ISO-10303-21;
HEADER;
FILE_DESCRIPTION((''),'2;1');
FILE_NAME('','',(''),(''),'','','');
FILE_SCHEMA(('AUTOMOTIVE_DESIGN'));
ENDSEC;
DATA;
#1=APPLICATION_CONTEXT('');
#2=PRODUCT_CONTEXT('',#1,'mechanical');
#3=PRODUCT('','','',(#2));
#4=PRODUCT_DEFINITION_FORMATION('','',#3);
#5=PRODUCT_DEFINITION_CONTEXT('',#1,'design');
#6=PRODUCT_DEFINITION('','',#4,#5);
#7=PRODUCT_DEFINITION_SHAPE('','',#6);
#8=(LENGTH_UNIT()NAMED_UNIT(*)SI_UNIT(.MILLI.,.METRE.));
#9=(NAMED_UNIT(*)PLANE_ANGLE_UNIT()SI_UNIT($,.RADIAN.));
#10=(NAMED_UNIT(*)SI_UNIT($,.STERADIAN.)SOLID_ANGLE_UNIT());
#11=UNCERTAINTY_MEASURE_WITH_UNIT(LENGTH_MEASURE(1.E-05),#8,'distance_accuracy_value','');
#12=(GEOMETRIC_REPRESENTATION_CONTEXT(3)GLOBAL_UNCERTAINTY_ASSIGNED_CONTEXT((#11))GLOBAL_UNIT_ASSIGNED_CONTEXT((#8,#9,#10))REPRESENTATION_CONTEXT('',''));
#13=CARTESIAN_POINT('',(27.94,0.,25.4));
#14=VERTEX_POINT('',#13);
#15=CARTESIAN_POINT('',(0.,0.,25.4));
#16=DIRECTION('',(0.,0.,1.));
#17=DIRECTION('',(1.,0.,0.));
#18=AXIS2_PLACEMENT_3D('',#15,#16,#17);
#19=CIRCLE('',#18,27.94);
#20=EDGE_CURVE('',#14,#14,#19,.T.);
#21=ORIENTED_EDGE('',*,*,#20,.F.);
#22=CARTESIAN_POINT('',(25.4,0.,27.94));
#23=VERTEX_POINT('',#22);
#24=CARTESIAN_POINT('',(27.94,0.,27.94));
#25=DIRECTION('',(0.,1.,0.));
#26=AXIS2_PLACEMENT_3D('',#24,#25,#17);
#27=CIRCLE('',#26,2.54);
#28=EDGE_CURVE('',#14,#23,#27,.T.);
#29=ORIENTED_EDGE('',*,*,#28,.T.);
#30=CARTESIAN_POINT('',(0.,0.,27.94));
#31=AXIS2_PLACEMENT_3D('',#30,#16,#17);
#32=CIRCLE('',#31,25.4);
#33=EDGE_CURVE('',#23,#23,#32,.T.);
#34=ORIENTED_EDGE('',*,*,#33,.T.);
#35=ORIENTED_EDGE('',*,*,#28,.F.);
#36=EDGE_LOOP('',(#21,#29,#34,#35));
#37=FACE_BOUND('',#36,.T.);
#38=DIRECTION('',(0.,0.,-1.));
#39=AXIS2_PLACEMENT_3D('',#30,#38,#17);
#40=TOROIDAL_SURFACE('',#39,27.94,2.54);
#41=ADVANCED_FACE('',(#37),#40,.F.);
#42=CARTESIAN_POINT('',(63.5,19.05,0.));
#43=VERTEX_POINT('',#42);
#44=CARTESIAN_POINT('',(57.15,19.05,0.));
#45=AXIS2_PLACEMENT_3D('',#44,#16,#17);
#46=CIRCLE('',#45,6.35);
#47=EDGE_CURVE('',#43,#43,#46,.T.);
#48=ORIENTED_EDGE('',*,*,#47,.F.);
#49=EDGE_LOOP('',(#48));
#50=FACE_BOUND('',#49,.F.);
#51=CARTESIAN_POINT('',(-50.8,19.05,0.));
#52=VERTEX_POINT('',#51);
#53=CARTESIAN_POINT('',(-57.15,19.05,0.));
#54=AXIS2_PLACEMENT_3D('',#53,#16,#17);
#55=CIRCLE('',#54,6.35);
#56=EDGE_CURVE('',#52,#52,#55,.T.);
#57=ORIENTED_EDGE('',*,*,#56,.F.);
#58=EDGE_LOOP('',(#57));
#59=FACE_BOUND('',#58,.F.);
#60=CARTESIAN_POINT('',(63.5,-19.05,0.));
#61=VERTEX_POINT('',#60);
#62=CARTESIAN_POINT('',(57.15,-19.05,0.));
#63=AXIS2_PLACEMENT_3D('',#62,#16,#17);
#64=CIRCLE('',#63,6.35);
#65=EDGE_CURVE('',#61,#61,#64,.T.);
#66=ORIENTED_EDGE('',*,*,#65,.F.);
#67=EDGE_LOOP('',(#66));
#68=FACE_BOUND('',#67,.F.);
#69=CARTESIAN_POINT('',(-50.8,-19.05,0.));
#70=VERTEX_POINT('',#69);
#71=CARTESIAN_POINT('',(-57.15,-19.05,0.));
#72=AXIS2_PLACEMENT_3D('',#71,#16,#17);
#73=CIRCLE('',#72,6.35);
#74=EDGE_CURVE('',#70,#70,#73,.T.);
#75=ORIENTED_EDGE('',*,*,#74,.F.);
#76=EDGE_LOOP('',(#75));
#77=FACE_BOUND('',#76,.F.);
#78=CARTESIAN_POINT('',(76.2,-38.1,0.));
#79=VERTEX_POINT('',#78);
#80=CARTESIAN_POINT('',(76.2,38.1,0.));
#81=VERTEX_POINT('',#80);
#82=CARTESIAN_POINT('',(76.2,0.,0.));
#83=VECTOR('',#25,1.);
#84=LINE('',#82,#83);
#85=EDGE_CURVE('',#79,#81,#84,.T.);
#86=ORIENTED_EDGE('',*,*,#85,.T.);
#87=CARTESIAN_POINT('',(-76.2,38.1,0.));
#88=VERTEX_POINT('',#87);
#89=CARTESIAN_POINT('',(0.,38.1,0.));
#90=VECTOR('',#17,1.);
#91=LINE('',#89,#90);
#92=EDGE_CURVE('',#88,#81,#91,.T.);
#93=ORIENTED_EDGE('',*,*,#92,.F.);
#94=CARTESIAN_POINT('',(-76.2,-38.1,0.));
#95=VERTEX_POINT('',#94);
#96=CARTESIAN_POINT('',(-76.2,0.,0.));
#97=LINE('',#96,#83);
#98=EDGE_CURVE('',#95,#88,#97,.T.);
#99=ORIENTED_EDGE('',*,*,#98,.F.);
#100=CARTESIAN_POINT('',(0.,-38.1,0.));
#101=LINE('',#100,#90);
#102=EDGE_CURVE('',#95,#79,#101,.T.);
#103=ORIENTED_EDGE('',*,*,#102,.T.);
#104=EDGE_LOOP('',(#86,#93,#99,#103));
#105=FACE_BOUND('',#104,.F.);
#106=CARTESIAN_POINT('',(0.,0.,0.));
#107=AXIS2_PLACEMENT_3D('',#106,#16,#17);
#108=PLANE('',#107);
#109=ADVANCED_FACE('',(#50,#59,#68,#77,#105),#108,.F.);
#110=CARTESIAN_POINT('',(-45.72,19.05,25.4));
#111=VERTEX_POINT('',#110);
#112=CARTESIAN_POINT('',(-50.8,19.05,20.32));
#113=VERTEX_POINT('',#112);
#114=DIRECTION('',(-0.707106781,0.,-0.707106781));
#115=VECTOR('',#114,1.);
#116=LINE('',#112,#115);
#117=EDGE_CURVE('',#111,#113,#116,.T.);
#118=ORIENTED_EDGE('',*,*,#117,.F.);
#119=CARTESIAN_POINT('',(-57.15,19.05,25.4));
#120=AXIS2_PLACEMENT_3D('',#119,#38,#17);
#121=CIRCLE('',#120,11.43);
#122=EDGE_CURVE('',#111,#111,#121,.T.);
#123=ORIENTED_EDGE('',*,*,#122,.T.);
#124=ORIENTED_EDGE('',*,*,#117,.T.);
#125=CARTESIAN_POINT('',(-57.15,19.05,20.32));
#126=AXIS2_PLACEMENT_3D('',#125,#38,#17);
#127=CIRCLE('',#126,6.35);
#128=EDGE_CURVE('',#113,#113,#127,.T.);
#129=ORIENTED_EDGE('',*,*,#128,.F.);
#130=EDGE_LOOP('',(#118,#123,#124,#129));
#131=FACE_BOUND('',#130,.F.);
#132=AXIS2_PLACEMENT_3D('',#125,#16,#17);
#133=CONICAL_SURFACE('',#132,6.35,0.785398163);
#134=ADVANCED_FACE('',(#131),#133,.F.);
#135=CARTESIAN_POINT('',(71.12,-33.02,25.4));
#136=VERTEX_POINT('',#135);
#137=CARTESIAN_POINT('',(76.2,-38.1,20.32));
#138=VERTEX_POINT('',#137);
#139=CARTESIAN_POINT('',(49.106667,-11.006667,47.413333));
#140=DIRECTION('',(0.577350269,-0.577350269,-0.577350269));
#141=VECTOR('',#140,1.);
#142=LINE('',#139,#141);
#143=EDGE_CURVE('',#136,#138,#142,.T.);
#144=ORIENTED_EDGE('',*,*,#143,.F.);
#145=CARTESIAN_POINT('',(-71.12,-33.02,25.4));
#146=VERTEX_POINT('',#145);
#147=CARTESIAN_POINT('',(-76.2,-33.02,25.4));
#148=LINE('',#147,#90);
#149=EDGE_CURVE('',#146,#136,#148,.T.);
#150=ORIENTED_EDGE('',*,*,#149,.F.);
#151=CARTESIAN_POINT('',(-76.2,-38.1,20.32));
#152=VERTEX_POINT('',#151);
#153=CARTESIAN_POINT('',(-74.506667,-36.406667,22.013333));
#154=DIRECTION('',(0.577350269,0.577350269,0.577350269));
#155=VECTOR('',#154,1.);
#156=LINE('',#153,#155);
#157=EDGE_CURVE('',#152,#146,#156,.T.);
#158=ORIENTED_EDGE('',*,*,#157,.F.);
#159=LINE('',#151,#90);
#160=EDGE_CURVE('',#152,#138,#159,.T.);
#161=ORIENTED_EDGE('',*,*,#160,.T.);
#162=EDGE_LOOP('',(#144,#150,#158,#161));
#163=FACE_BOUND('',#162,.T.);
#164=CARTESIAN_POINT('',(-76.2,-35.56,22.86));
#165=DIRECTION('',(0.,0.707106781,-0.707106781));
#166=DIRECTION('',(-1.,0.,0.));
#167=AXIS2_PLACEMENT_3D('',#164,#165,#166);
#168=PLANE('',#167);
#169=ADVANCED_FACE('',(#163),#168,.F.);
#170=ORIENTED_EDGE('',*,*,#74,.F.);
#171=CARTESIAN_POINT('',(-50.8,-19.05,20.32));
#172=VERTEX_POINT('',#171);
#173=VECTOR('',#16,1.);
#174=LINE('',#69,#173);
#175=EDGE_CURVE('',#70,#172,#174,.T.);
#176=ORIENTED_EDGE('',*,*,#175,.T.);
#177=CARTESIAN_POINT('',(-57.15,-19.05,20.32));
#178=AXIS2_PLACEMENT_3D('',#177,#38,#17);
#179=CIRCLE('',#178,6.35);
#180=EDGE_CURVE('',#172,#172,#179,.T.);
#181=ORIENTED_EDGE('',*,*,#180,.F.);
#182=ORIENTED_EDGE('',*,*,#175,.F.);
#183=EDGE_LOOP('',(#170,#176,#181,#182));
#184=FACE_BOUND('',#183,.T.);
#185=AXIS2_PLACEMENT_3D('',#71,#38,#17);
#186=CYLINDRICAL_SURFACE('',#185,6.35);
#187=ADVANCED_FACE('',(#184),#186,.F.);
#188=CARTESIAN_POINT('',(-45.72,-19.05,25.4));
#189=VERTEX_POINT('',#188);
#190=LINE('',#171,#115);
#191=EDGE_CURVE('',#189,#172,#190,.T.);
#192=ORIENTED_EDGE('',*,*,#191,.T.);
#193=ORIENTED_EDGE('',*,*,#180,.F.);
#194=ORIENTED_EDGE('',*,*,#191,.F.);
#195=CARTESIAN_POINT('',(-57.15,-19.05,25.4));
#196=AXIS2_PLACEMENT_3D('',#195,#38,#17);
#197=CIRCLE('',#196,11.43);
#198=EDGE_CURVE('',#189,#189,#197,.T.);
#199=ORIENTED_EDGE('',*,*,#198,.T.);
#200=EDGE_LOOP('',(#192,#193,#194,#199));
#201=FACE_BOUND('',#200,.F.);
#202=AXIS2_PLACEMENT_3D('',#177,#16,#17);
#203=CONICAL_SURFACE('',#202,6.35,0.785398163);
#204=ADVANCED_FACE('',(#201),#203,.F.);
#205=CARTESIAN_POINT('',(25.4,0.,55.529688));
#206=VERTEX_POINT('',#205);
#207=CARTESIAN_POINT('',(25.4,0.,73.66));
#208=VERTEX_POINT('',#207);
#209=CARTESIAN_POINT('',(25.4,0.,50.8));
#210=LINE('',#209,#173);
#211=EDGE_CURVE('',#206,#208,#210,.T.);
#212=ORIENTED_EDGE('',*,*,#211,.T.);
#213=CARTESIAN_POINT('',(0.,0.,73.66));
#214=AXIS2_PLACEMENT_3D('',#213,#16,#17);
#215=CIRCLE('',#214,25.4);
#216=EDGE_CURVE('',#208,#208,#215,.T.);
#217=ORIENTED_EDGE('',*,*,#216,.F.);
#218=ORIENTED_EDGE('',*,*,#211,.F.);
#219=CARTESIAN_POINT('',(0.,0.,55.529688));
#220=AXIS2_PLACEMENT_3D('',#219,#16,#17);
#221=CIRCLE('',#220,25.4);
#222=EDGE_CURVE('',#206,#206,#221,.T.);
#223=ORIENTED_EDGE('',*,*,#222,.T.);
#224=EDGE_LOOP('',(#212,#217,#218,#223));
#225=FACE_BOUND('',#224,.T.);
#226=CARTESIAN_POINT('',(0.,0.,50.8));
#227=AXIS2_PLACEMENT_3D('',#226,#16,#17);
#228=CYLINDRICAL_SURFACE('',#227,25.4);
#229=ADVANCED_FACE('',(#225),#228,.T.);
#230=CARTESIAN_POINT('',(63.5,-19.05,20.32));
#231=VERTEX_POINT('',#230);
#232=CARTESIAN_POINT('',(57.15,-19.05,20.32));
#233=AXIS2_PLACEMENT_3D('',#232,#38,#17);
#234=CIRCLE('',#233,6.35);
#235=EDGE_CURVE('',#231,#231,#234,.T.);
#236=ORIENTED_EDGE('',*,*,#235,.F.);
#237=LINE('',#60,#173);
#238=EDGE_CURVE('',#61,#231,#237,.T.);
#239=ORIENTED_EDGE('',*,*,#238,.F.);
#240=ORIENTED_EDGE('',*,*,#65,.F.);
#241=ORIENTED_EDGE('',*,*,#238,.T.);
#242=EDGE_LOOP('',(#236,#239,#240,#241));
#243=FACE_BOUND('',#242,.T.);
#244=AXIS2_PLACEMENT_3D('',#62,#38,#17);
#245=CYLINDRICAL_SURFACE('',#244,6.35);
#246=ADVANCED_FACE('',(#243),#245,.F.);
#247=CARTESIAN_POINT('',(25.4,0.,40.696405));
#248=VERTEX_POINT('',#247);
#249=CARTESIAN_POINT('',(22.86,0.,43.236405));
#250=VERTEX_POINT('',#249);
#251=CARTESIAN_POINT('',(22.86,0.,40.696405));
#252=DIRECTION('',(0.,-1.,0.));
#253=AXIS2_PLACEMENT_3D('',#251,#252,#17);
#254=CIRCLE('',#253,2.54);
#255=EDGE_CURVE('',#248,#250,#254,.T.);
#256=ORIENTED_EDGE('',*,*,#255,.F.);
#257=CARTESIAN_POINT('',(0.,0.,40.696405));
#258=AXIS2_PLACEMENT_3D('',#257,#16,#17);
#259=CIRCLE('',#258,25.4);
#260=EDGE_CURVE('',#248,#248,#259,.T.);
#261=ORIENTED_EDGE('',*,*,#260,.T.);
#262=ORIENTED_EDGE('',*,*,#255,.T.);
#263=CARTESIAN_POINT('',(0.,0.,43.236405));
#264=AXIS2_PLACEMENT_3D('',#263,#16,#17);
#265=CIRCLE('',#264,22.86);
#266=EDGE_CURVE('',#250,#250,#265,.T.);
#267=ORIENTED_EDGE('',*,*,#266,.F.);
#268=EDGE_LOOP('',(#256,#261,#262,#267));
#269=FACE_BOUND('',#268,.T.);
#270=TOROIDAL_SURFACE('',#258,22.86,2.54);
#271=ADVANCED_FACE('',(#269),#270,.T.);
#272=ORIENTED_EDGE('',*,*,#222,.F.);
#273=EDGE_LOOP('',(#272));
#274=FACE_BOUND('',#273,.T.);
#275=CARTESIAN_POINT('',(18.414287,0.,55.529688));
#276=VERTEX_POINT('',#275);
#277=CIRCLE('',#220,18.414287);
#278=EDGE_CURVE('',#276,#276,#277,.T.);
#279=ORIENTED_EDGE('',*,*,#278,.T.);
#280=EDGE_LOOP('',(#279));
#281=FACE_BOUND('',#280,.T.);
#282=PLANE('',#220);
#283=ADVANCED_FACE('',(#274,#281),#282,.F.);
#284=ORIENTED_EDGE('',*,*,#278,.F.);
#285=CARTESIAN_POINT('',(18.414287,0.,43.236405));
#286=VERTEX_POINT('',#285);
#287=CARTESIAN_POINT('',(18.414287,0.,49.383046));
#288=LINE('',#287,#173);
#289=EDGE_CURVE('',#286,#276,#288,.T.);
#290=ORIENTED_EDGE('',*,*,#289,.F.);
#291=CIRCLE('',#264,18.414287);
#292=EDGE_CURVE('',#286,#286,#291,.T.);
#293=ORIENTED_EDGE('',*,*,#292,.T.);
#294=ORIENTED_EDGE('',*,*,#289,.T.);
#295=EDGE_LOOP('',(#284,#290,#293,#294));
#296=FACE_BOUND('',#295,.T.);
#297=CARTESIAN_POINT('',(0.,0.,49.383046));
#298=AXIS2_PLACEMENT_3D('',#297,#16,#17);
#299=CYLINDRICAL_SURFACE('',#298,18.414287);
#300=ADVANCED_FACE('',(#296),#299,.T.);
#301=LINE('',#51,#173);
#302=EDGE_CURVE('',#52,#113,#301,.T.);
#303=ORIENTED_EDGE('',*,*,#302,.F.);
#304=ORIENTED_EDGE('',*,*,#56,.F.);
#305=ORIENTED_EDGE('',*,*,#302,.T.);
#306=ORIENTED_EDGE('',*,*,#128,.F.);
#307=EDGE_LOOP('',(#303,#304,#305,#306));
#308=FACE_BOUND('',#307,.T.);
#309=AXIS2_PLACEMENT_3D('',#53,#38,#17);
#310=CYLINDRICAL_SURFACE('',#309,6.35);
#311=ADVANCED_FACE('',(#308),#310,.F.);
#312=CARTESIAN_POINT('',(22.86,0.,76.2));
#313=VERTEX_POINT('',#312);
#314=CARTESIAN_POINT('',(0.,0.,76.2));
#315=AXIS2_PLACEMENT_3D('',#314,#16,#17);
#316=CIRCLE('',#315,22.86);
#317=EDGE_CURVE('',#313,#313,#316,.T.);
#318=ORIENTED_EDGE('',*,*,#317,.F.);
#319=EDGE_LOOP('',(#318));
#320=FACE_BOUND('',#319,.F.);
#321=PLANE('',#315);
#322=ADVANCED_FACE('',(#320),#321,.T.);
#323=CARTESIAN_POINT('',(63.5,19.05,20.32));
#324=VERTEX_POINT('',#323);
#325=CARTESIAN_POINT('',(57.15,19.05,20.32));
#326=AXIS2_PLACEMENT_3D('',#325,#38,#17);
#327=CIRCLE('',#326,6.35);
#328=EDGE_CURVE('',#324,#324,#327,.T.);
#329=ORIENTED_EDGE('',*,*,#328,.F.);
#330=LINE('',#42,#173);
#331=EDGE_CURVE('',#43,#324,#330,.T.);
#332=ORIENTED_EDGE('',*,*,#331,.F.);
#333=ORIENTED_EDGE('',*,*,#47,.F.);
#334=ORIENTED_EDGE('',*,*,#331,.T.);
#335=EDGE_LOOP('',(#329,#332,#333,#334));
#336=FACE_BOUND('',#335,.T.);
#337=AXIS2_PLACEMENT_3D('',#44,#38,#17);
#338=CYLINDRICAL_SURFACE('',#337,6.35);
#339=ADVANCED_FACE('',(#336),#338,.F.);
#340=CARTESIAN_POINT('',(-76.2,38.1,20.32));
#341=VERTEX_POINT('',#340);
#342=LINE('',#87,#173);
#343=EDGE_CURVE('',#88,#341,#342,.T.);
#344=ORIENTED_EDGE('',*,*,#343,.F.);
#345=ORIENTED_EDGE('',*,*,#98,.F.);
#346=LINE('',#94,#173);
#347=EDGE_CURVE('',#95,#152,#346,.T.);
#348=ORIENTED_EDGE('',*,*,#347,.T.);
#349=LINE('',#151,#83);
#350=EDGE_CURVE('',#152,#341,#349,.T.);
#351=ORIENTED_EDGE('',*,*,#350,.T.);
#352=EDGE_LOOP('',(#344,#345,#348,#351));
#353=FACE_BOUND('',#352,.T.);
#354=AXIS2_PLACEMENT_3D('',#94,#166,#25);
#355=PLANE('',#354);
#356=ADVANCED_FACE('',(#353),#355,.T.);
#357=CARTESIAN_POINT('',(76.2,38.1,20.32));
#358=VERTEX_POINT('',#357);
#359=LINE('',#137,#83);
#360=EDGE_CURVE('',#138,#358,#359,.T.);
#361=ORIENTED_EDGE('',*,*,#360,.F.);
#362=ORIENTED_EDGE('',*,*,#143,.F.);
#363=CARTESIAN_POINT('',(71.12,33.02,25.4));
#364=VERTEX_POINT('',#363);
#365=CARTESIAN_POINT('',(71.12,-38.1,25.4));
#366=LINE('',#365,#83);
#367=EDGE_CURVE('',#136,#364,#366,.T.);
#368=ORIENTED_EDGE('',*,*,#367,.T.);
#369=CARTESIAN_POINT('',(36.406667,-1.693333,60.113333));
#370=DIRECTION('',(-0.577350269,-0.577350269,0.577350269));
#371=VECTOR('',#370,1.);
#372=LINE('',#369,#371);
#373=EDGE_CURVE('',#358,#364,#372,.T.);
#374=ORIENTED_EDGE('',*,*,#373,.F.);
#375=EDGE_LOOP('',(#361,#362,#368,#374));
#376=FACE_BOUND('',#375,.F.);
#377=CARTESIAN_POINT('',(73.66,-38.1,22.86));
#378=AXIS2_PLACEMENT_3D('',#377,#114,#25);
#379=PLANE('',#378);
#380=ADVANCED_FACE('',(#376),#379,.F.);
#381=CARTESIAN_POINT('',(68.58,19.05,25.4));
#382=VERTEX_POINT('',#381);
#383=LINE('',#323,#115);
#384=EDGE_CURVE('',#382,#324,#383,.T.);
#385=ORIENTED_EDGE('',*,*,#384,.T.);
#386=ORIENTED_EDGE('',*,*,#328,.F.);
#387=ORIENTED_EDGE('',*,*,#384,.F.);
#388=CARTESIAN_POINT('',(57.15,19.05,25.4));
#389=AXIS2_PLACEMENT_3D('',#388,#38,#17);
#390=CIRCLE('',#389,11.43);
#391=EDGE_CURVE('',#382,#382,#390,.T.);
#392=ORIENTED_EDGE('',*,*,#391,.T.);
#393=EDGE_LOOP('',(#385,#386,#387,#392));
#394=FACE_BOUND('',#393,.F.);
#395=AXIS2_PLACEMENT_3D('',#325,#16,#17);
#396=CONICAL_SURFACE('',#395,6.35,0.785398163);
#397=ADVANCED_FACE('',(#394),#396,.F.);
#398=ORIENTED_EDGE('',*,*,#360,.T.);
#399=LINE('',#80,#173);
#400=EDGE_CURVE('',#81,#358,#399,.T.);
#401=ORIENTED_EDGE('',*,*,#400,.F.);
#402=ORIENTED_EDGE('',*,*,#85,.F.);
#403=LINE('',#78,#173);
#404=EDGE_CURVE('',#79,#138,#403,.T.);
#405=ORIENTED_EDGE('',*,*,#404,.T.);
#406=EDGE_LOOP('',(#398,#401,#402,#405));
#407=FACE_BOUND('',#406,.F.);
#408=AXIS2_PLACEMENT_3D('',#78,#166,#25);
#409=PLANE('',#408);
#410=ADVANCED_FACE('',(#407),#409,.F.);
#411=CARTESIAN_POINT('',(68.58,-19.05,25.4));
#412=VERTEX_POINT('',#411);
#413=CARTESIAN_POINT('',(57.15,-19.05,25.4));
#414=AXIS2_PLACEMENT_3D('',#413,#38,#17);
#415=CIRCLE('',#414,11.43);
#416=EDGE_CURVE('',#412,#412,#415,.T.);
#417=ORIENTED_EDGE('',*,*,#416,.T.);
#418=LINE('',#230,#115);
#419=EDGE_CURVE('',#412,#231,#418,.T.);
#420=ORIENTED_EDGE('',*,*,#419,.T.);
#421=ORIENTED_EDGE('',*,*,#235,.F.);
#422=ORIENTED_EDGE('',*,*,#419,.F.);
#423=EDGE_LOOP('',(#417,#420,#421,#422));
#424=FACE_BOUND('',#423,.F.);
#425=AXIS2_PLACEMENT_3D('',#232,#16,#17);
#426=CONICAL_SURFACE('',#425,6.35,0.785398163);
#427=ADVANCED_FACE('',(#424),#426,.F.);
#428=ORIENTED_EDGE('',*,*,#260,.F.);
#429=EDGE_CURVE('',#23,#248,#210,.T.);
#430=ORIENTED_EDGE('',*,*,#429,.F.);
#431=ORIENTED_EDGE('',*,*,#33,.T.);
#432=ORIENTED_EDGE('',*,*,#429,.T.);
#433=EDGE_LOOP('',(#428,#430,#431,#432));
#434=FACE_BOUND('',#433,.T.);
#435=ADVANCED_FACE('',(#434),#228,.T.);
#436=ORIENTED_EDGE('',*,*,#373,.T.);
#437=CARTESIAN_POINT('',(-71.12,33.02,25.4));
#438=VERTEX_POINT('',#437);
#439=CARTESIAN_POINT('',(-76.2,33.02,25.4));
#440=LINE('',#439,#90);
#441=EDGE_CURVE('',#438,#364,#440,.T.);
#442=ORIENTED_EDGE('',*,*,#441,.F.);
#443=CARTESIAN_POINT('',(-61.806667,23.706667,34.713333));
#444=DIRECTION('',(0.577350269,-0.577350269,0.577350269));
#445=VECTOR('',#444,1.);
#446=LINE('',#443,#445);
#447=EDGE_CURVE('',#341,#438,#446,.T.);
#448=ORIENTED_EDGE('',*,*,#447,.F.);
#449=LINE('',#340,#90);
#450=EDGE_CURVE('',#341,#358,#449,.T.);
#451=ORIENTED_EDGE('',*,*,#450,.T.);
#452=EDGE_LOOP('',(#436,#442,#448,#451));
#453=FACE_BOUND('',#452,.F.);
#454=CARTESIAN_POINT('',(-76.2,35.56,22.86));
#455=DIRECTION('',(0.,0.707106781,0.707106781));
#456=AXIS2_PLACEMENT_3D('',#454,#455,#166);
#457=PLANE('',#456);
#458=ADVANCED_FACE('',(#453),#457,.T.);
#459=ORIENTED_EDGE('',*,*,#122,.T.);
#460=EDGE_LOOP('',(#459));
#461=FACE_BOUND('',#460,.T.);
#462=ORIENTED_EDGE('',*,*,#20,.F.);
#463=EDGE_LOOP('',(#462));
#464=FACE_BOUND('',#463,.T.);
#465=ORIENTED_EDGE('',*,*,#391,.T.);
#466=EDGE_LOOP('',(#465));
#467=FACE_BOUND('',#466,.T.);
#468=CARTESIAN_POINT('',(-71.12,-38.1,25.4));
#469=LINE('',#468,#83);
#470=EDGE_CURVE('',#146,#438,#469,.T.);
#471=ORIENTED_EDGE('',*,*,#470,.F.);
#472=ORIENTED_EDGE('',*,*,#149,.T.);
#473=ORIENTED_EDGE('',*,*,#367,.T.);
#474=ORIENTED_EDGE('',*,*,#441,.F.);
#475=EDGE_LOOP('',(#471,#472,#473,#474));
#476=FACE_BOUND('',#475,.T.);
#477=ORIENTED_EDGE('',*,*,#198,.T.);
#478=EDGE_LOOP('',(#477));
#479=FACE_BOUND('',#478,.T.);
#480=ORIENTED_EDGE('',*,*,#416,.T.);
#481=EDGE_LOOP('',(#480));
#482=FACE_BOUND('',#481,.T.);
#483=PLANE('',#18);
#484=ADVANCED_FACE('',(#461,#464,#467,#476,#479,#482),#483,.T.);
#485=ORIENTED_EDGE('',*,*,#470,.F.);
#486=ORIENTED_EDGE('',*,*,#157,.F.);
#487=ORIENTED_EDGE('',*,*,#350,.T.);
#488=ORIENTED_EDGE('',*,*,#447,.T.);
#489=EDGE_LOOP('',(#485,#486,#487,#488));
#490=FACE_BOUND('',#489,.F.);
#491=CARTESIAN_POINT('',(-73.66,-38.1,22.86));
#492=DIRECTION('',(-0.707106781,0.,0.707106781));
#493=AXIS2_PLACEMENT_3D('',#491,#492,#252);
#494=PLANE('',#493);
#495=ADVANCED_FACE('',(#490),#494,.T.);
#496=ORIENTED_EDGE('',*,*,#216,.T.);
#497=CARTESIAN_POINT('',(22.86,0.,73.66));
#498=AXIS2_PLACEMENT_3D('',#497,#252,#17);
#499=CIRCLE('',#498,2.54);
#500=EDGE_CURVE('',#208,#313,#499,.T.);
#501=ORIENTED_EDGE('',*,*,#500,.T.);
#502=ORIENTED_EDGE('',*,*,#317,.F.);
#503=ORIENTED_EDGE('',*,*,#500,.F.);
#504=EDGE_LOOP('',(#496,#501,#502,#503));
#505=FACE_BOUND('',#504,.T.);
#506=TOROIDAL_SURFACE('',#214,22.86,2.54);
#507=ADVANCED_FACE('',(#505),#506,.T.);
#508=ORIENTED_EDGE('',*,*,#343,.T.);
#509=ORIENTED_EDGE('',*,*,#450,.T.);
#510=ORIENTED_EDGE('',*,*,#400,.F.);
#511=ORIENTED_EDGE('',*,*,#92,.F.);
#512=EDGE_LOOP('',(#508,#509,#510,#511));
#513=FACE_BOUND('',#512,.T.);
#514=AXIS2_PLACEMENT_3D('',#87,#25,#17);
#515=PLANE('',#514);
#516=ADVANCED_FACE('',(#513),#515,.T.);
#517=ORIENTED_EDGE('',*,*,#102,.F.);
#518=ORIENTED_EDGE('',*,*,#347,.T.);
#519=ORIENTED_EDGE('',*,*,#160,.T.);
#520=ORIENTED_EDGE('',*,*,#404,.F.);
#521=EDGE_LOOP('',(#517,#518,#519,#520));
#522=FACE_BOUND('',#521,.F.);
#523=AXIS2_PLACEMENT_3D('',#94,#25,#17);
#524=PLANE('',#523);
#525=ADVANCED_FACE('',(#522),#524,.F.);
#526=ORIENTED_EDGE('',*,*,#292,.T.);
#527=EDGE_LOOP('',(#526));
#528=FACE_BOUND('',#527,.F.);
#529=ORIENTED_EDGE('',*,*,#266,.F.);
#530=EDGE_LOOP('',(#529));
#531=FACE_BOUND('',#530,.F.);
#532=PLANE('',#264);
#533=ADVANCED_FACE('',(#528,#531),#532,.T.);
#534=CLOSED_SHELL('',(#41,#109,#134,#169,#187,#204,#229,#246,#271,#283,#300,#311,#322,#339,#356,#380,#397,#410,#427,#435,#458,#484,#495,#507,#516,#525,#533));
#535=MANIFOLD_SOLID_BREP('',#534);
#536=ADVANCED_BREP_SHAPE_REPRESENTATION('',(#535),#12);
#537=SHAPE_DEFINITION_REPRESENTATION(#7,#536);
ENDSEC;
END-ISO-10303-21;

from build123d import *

# Parameters (mm, degrees)
F0_W     = 152.4
F0_H     = 76.2
F1_DEPTH = 25.4
F2_R     = 6.35
F3_DEPTH = 25.401
F4_SIZE  = 5.08
F5_W     = 25.4
F5_H     = 50.8
F7_W     = 10.3809926659
F7_H     = 12.2932828963
F9_R     = 2.54
F10_R    = 2.54


with BuildPart() as f1:
    # F0 (on Top) → F1 (new body)
    with BuildSketch(Plane.XY):
        Rectangle(F0_W, F0_H)
    extrude(amount=F1_DEPTH)

    # F2 (on Top) → F3 (cut, through all)
    with BuildSketch(Plane.XY):
        with Locations((-57.15, 19.05)):
            Circle(F2_R)
        with Locations((-57.15, -19.05)):
            Circle(F2_R)
        with Locations((57.15, -19.05)):
            Circle(F2_R)
        with Locations((57.15, 19.05)):
            Circle(F2_R)
    extrude(amount=F3_DEPTH, mode=Mode.SUBTRACT)

    # F4
    f4_edges = [f1.edges().sort_by_distance(p)[0] for p in [
        (0, 38.1, 25.4),
        (76.2, 0, 25.4),
        (-76.2, 0, 25.4),
        (0, -38.1, 25.4),
        (-63.5, -19.05, 25.4),
        (50.8, -19.05, 25.4),
        (-63.5, 19.05, 25.4),
        (50.8, 19.05, 25.4),
    ]]
    chamfer(f4_edges, length=F4_SIZE)

    # F5 (on Front) → F6 (revolve)
    with BuildSketch(Plane.XZ):
        with Locations((12.7, 50.8)):
            Rectangle(F5_W, F5_H)
    revolve(axis=Axis((0, 0, 50.8), (0, 0, 1)))

    # F7 (on Front) → F8 (revolve, cut)
    with BuildSketch(Plane.XZ):
        with Locations((23.6047832295, 49.3830461055)):
            Rectangle(F7_W, F7_H)
    revolve(axis=Axis((0, 0, 25.4), (0, 0, 1)), mode=Mode.SUBTRACT)

    # F9
    f9_edges = [f1.edges().sort_by_distance(p)[0] for p in [
        (25.4, 0, 34.318202),
        (-25.4, 0, 43.236405),
        (-25.4, 0, 25.4),
    ]]
    fillet(f9_edges, radius=F9_R)

    # F10
    f10_edges = [f1.edges().sort_by_distance(p)[0] for p in [
        (-25.4, 0, 76.2),
    ]]
    fillet(f10_edges, radius=F10_R)


solid = f1.part
